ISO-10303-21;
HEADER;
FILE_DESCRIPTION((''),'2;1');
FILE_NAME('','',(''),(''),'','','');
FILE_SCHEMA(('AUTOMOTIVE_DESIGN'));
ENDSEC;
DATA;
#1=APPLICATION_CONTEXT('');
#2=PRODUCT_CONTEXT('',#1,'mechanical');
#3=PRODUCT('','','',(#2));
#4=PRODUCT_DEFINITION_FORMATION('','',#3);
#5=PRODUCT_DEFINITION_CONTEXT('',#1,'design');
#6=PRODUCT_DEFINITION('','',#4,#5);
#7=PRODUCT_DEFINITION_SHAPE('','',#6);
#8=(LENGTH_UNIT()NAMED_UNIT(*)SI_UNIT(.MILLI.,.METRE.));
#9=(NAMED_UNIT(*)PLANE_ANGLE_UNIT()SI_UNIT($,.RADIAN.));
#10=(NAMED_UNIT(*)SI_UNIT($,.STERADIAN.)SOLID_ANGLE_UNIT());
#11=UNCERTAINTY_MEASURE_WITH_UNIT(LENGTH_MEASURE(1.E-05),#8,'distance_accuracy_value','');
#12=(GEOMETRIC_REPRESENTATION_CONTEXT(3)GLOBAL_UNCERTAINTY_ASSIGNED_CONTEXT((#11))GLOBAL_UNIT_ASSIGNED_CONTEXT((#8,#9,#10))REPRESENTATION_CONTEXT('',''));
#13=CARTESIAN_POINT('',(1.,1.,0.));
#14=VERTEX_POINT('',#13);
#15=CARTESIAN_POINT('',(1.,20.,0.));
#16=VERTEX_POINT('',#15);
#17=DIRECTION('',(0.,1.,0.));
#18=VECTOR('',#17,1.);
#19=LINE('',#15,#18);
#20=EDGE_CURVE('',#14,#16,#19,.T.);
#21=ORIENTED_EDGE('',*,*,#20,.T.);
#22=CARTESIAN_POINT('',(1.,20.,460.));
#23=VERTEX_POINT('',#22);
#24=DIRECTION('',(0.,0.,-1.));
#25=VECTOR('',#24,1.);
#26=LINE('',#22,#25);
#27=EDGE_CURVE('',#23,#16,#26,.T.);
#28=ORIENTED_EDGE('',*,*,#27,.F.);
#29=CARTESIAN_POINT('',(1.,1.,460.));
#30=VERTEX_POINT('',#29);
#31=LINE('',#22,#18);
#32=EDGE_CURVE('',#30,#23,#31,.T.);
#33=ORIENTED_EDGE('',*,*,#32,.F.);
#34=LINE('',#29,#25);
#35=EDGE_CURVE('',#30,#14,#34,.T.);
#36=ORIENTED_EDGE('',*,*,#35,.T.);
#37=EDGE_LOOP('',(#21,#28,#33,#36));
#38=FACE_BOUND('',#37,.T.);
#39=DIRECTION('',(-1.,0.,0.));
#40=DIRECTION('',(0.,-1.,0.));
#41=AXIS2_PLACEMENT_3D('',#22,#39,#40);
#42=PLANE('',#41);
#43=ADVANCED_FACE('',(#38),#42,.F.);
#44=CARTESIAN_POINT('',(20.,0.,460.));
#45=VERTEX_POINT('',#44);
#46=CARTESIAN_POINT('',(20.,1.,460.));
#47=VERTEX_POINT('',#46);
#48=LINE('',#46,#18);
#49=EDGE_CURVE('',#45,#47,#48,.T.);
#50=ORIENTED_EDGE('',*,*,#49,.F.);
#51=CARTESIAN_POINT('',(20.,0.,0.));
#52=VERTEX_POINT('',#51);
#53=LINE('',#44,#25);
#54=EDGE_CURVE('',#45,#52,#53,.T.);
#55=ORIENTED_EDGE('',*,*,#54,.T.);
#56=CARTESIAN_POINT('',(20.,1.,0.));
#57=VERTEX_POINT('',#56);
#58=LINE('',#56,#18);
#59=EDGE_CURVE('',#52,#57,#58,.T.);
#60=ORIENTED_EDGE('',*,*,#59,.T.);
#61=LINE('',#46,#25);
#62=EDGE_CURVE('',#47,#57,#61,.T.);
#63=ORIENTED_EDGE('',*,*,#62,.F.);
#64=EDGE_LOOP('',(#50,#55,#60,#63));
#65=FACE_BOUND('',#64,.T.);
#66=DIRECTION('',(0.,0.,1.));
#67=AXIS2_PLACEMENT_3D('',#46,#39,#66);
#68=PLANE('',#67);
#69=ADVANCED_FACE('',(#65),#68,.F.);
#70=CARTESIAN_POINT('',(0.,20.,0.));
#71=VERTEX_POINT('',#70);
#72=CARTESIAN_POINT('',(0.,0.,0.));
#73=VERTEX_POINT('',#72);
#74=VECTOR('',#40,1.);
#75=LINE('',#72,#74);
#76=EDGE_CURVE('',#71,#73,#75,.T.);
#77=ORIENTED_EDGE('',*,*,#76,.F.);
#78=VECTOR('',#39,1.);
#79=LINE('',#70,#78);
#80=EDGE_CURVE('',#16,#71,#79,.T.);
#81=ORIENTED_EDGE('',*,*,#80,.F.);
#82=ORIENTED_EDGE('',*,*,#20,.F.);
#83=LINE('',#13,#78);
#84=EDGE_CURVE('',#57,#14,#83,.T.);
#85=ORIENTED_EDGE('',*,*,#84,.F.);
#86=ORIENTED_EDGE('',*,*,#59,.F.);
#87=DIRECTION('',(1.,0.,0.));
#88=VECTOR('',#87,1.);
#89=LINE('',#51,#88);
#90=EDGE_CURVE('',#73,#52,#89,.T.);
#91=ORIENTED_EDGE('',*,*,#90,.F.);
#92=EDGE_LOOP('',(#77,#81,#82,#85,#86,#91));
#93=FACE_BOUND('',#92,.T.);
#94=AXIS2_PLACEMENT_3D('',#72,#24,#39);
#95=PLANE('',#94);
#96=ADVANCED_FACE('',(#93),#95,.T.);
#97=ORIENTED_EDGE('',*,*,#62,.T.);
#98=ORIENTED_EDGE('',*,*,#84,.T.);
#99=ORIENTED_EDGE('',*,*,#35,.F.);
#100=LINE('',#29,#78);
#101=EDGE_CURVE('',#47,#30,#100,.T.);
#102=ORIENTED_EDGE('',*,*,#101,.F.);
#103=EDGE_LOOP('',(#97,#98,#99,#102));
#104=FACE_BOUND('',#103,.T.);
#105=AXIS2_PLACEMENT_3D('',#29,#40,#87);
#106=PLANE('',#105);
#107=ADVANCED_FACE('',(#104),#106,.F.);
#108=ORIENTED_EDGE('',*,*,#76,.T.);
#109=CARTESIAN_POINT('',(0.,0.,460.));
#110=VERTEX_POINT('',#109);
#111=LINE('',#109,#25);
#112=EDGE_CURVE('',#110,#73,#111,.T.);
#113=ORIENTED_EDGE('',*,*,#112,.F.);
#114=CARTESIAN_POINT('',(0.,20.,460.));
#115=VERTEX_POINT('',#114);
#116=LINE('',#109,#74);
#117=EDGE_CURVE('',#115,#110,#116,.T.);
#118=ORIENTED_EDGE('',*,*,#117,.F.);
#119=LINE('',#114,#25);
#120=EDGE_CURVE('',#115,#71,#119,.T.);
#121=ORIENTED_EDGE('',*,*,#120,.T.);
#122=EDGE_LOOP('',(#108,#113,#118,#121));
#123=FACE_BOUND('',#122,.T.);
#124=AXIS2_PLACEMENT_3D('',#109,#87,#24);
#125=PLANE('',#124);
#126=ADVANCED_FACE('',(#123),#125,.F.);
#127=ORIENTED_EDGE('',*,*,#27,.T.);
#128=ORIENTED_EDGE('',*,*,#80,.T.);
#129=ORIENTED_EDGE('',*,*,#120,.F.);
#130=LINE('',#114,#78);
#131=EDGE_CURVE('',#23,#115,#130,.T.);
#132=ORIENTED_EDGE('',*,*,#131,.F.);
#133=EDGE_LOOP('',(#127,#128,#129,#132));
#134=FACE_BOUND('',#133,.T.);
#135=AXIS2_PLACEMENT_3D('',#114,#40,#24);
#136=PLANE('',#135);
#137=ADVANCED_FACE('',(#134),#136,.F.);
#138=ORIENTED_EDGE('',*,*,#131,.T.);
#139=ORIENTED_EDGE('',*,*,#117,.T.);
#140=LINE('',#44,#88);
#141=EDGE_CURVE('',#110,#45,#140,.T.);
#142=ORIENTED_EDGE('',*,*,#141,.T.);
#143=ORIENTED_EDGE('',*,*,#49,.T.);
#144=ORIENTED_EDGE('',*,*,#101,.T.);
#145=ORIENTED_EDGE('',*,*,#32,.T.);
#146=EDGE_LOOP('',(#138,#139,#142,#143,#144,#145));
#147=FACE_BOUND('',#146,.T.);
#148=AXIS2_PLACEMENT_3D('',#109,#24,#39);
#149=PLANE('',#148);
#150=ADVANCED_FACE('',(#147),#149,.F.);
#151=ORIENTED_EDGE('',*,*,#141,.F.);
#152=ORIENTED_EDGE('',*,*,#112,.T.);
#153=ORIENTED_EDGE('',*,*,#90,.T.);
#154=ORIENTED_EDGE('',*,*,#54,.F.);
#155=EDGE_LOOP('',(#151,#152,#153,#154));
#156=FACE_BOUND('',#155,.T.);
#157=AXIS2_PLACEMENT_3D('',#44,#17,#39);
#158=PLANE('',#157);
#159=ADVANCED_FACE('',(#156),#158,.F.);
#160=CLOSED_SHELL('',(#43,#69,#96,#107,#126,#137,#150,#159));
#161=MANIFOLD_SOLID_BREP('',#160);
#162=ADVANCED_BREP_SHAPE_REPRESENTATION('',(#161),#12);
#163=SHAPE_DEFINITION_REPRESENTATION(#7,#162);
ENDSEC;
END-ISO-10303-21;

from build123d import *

# Parameters (mm, degrees)
EXTRUDE_1_DEPTH = 460


with BuildPart() as part:
    # 草图1 → 凸台-拉伸1 (new body)
    with BuildSketch(Plane.XY):
        Polygon((0, 0), (0, 20), (1, 20), (1, 1), (20, 1), (20, 0), align=None)
    extrude(amount=EXTRUDE_1_DEPTH)


solid = part.part
